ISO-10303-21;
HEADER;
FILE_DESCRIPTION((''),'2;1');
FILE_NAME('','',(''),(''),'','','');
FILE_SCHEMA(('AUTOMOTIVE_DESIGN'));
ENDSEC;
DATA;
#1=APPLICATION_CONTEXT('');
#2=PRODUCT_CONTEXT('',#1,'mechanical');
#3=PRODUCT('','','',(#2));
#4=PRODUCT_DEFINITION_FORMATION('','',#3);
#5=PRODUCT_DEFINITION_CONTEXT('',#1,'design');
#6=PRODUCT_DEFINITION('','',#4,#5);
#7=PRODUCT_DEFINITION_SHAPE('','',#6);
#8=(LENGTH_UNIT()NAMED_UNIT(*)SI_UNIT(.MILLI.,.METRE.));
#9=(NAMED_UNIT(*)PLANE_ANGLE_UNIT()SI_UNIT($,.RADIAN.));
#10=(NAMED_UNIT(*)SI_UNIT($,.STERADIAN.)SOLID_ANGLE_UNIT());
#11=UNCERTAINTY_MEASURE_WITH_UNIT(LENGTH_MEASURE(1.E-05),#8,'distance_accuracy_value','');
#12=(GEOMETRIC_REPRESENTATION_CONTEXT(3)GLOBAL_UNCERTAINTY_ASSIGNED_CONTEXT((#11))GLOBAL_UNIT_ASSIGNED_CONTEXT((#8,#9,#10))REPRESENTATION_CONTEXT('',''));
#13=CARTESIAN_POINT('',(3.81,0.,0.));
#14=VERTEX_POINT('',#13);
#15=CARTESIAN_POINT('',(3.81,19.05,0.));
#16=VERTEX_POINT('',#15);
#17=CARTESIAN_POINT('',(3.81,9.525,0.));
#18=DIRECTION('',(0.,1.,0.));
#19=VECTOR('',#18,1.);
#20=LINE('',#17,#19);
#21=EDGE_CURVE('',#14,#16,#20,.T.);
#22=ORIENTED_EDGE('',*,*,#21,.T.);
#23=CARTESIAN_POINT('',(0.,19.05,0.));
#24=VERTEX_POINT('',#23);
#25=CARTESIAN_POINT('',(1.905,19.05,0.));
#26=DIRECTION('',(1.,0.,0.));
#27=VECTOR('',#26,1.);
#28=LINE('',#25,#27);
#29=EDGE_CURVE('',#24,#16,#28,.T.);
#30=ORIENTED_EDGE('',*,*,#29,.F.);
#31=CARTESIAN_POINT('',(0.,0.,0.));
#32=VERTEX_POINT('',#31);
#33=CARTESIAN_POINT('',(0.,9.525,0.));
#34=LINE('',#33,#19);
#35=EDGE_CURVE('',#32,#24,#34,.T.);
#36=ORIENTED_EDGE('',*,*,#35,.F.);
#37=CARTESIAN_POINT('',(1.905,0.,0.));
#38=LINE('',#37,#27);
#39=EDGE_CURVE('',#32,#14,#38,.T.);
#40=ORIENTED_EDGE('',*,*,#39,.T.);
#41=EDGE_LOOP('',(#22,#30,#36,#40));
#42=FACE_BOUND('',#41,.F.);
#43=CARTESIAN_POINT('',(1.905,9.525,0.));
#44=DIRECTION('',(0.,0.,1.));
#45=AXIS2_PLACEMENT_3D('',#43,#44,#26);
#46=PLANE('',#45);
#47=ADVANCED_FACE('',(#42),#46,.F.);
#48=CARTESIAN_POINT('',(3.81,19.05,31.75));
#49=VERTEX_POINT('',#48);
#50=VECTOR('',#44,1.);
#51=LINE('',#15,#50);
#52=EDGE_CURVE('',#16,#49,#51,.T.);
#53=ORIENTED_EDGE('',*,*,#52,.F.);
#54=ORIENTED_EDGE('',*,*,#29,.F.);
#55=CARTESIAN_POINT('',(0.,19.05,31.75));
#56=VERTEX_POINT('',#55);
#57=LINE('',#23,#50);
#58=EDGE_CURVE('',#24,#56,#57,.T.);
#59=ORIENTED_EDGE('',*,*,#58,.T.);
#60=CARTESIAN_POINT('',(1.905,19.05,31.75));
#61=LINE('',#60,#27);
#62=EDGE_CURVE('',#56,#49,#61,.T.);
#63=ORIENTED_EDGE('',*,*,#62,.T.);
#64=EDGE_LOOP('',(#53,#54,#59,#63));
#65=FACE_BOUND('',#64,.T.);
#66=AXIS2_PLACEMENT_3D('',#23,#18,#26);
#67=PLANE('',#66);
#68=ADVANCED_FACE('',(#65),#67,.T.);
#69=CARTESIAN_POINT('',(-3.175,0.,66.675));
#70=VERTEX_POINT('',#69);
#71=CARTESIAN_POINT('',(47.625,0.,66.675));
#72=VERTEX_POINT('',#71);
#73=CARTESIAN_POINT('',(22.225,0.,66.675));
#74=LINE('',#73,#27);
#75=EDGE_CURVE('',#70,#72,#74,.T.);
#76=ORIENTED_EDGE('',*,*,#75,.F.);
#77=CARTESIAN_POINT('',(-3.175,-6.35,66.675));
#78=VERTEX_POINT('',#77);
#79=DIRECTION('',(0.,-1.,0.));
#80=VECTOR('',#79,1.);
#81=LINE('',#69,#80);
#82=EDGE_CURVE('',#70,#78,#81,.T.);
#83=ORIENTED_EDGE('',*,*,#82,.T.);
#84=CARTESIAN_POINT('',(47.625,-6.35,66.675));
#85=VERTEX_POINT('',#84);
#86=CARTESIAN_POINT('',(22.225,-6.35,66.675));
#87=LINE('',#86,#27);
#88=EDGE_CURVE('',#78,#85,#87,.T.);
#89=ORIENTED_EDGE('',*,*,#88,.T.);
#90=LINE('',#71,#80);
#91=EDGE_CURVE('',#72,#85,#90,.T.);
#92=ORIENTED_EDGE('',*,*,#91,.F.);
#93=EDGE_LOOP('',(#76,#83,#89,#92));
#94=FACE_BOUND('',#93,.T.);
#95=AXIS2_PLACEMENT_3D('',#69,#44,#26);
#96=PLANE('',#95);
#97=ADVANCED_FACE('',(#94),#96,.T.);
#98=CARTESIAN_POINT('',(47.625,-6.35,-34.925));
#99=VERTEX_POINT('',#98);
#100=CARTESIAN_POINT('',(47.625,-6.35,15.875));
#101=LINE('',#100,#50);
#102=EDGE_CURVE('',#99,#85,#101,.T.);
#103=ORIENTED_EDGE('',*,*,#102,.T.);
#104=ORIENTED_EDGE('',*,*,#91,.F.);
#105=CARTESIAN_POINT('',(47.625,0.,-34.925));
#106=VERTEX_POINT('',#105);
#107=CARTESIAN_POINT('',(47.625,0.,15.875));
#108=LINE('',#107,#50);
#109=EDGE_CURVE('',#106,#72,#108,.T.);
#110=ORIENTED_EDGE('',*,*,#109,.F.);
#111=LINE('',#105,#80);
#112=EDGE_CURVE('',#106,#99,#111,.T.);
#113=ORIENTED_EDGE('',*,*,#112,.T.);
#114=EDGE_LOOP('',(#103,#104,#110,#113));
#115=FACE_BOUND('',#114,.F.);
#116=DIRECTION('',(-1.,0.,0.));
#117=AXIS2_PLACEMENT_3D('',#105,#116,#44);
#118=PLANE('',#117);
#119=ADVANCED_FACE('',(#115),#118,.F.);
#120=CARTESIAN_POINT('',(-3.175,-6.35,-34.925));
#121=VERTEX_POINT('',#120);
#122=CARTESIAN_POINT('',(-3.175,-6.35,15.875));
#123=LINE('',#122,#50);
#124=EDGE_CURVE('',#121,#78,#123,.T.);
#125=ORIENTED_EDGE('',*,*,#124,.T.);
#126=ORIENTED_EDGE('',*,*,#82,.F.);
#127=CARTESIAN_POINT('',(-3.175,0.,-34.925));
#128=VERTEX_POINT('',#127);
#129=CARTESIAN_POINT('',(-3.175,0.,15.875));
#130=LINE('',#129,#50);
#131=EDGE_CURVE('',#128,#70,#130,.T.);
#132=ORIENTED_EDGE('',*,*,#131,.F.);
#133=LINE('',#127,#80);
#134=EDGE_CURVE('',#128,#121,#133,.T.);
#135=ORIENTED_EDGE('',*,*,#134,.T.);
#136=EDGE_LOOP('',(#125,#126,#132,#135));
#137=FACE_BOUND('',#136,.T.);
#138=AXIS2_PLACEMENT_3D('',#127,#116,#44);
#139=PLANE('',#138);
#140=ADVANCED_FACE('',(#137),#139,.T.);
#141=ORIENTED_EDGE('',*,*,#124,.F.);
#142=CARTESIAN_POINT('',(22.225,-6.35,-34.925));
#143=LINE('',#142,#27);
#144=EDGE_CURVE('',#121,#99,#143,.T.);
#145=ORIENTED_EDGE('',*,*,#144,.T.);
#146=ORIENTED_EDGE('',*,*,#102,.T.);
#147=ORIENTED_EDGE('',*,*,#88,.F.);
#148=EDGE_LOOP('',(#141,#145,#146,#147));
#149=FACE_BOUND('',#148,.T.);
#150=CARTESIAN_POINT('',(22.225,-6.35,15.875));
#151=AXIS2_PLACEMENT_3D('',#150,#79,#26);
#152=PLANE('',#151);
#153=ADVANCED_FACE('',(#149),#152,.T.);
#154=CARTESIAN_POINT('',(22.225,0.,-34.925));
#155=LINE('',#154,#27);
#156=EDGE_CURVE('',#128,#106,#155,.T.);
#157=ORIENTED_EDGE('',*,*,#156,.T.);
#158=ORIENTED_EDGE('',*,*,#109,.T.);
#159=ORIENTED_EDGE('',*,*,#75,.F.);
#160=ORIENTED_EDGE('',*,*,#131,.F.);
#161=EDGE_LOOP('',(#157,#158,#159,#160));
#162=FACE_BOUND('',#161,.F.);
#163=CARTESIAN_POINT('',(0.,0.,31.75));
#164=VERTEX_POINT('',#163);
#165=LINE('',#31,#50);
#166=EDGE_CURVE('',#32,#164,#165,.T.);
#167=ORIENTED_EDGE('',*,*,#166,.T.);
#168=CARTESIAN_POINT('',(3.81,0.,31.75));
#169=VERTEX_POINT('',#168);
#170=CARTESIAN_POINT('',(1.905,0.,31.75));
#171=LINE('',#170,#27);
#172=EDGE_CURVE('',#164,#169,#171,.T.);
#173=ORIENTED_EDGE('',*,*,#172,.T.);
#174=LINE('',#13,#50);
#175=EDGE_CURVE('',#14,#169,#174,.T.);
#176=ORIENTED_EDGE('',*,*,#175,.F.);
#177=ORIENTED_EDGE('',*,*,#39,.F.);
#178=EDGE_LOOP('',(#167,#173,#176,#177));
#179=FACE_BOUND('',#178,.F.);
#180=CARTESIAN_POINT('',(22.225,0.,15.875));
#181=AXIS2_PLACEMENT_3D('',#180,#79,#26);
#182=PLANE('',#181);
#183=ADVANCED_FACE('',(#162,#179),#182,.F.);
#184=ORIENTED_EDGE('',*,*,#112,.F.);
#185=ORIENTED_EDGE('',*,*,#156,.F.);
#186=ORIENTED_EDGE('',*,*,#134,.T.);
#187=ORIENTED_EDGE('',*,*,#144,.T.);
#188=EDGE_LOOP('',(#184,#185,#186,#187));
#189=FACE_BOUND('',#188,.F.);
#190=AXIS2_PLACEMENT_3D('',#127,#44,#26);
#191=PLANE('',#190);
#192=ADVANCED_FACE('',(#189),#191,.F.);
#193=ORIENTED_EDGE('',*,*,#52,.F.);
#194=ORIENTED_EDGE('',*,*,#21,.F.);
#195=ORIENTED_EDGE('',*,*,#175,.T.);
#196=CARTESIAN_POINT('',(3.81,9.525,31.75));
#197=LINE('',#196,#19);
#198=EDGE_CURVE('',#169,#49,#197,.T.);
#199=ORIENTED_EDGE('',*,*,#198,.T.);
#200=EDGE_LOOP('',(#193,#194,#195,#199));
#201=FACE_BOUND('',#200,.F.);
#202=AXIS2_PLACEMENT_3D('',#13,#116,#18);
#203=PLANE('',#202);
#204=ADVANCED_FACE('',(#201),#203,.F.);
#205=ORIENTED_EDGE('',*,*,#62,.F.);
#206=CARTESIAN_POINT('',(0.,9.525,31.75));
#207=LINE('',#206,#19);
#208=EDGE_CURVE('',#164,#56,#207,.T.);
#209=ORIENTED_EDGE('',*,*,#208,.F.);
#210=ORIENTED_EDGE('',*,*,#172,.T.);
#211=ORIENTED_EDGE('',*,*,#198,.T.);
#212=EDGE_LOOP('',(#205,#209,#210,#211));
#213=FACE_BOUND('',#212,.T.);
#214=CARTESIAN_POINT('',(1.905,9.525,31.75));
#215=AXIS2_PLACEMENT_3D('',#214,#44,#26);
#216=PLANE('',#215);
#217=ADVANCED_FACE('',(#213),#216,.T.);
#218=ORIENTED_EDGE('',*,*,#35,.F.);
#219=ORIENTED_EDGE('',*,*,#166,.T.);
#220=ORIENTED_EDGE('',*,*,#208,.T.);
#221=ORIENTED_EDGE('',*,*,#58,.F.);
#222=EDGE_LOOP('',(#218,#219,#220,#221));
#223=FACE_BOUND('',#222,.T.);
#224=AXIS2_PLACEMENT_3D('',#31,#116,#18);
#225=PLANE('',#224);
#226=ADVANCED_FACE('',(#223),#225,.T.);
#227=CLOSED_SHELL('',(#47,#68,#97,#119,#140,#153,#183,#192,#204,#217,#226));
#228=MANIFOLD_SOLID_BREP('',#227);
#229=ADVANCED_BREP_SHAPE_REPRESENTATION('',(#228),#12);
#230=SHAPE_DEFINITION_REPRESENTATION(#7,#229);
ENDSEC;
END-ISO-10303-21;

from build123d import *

# Parameters (mm, degrees)
F0_W     = 3.81
F0_H     = 19.05
F1_DEPTH = 31.75
F2_W     = 50.8
F2_H     = 101.6
F2_W_2   = 3.81
F2_H_2   = 31.75
F3_DEPTH = 6.35


with BuildPart() as f1:
    # F0 (on Top) → F1 (new body)
    with BuildSketch(Plane.XY):
        with Locations((1.905, 9.525)):
            Rectangle(F0_W, F0_H)
    extrude(amount=F1_DEPTH)

    # F2 (on face) → F3 (join)
    with BuildSketch(Plane.XZ):
        with Locations((22.225, 15.875)):
            Rectangle(F2_W, F2_H)
        with Locations((1.905, 15.875)):
            Rectangle(F2_W_2, F2_H_2, mode=Mode.SUBTRACT)
        with Locations((1.905, 15.875)):
            Rectangle(F2_W_2, F2_H_2)
    extrude(amount=F3_DEPTH)


solid = f1.part
